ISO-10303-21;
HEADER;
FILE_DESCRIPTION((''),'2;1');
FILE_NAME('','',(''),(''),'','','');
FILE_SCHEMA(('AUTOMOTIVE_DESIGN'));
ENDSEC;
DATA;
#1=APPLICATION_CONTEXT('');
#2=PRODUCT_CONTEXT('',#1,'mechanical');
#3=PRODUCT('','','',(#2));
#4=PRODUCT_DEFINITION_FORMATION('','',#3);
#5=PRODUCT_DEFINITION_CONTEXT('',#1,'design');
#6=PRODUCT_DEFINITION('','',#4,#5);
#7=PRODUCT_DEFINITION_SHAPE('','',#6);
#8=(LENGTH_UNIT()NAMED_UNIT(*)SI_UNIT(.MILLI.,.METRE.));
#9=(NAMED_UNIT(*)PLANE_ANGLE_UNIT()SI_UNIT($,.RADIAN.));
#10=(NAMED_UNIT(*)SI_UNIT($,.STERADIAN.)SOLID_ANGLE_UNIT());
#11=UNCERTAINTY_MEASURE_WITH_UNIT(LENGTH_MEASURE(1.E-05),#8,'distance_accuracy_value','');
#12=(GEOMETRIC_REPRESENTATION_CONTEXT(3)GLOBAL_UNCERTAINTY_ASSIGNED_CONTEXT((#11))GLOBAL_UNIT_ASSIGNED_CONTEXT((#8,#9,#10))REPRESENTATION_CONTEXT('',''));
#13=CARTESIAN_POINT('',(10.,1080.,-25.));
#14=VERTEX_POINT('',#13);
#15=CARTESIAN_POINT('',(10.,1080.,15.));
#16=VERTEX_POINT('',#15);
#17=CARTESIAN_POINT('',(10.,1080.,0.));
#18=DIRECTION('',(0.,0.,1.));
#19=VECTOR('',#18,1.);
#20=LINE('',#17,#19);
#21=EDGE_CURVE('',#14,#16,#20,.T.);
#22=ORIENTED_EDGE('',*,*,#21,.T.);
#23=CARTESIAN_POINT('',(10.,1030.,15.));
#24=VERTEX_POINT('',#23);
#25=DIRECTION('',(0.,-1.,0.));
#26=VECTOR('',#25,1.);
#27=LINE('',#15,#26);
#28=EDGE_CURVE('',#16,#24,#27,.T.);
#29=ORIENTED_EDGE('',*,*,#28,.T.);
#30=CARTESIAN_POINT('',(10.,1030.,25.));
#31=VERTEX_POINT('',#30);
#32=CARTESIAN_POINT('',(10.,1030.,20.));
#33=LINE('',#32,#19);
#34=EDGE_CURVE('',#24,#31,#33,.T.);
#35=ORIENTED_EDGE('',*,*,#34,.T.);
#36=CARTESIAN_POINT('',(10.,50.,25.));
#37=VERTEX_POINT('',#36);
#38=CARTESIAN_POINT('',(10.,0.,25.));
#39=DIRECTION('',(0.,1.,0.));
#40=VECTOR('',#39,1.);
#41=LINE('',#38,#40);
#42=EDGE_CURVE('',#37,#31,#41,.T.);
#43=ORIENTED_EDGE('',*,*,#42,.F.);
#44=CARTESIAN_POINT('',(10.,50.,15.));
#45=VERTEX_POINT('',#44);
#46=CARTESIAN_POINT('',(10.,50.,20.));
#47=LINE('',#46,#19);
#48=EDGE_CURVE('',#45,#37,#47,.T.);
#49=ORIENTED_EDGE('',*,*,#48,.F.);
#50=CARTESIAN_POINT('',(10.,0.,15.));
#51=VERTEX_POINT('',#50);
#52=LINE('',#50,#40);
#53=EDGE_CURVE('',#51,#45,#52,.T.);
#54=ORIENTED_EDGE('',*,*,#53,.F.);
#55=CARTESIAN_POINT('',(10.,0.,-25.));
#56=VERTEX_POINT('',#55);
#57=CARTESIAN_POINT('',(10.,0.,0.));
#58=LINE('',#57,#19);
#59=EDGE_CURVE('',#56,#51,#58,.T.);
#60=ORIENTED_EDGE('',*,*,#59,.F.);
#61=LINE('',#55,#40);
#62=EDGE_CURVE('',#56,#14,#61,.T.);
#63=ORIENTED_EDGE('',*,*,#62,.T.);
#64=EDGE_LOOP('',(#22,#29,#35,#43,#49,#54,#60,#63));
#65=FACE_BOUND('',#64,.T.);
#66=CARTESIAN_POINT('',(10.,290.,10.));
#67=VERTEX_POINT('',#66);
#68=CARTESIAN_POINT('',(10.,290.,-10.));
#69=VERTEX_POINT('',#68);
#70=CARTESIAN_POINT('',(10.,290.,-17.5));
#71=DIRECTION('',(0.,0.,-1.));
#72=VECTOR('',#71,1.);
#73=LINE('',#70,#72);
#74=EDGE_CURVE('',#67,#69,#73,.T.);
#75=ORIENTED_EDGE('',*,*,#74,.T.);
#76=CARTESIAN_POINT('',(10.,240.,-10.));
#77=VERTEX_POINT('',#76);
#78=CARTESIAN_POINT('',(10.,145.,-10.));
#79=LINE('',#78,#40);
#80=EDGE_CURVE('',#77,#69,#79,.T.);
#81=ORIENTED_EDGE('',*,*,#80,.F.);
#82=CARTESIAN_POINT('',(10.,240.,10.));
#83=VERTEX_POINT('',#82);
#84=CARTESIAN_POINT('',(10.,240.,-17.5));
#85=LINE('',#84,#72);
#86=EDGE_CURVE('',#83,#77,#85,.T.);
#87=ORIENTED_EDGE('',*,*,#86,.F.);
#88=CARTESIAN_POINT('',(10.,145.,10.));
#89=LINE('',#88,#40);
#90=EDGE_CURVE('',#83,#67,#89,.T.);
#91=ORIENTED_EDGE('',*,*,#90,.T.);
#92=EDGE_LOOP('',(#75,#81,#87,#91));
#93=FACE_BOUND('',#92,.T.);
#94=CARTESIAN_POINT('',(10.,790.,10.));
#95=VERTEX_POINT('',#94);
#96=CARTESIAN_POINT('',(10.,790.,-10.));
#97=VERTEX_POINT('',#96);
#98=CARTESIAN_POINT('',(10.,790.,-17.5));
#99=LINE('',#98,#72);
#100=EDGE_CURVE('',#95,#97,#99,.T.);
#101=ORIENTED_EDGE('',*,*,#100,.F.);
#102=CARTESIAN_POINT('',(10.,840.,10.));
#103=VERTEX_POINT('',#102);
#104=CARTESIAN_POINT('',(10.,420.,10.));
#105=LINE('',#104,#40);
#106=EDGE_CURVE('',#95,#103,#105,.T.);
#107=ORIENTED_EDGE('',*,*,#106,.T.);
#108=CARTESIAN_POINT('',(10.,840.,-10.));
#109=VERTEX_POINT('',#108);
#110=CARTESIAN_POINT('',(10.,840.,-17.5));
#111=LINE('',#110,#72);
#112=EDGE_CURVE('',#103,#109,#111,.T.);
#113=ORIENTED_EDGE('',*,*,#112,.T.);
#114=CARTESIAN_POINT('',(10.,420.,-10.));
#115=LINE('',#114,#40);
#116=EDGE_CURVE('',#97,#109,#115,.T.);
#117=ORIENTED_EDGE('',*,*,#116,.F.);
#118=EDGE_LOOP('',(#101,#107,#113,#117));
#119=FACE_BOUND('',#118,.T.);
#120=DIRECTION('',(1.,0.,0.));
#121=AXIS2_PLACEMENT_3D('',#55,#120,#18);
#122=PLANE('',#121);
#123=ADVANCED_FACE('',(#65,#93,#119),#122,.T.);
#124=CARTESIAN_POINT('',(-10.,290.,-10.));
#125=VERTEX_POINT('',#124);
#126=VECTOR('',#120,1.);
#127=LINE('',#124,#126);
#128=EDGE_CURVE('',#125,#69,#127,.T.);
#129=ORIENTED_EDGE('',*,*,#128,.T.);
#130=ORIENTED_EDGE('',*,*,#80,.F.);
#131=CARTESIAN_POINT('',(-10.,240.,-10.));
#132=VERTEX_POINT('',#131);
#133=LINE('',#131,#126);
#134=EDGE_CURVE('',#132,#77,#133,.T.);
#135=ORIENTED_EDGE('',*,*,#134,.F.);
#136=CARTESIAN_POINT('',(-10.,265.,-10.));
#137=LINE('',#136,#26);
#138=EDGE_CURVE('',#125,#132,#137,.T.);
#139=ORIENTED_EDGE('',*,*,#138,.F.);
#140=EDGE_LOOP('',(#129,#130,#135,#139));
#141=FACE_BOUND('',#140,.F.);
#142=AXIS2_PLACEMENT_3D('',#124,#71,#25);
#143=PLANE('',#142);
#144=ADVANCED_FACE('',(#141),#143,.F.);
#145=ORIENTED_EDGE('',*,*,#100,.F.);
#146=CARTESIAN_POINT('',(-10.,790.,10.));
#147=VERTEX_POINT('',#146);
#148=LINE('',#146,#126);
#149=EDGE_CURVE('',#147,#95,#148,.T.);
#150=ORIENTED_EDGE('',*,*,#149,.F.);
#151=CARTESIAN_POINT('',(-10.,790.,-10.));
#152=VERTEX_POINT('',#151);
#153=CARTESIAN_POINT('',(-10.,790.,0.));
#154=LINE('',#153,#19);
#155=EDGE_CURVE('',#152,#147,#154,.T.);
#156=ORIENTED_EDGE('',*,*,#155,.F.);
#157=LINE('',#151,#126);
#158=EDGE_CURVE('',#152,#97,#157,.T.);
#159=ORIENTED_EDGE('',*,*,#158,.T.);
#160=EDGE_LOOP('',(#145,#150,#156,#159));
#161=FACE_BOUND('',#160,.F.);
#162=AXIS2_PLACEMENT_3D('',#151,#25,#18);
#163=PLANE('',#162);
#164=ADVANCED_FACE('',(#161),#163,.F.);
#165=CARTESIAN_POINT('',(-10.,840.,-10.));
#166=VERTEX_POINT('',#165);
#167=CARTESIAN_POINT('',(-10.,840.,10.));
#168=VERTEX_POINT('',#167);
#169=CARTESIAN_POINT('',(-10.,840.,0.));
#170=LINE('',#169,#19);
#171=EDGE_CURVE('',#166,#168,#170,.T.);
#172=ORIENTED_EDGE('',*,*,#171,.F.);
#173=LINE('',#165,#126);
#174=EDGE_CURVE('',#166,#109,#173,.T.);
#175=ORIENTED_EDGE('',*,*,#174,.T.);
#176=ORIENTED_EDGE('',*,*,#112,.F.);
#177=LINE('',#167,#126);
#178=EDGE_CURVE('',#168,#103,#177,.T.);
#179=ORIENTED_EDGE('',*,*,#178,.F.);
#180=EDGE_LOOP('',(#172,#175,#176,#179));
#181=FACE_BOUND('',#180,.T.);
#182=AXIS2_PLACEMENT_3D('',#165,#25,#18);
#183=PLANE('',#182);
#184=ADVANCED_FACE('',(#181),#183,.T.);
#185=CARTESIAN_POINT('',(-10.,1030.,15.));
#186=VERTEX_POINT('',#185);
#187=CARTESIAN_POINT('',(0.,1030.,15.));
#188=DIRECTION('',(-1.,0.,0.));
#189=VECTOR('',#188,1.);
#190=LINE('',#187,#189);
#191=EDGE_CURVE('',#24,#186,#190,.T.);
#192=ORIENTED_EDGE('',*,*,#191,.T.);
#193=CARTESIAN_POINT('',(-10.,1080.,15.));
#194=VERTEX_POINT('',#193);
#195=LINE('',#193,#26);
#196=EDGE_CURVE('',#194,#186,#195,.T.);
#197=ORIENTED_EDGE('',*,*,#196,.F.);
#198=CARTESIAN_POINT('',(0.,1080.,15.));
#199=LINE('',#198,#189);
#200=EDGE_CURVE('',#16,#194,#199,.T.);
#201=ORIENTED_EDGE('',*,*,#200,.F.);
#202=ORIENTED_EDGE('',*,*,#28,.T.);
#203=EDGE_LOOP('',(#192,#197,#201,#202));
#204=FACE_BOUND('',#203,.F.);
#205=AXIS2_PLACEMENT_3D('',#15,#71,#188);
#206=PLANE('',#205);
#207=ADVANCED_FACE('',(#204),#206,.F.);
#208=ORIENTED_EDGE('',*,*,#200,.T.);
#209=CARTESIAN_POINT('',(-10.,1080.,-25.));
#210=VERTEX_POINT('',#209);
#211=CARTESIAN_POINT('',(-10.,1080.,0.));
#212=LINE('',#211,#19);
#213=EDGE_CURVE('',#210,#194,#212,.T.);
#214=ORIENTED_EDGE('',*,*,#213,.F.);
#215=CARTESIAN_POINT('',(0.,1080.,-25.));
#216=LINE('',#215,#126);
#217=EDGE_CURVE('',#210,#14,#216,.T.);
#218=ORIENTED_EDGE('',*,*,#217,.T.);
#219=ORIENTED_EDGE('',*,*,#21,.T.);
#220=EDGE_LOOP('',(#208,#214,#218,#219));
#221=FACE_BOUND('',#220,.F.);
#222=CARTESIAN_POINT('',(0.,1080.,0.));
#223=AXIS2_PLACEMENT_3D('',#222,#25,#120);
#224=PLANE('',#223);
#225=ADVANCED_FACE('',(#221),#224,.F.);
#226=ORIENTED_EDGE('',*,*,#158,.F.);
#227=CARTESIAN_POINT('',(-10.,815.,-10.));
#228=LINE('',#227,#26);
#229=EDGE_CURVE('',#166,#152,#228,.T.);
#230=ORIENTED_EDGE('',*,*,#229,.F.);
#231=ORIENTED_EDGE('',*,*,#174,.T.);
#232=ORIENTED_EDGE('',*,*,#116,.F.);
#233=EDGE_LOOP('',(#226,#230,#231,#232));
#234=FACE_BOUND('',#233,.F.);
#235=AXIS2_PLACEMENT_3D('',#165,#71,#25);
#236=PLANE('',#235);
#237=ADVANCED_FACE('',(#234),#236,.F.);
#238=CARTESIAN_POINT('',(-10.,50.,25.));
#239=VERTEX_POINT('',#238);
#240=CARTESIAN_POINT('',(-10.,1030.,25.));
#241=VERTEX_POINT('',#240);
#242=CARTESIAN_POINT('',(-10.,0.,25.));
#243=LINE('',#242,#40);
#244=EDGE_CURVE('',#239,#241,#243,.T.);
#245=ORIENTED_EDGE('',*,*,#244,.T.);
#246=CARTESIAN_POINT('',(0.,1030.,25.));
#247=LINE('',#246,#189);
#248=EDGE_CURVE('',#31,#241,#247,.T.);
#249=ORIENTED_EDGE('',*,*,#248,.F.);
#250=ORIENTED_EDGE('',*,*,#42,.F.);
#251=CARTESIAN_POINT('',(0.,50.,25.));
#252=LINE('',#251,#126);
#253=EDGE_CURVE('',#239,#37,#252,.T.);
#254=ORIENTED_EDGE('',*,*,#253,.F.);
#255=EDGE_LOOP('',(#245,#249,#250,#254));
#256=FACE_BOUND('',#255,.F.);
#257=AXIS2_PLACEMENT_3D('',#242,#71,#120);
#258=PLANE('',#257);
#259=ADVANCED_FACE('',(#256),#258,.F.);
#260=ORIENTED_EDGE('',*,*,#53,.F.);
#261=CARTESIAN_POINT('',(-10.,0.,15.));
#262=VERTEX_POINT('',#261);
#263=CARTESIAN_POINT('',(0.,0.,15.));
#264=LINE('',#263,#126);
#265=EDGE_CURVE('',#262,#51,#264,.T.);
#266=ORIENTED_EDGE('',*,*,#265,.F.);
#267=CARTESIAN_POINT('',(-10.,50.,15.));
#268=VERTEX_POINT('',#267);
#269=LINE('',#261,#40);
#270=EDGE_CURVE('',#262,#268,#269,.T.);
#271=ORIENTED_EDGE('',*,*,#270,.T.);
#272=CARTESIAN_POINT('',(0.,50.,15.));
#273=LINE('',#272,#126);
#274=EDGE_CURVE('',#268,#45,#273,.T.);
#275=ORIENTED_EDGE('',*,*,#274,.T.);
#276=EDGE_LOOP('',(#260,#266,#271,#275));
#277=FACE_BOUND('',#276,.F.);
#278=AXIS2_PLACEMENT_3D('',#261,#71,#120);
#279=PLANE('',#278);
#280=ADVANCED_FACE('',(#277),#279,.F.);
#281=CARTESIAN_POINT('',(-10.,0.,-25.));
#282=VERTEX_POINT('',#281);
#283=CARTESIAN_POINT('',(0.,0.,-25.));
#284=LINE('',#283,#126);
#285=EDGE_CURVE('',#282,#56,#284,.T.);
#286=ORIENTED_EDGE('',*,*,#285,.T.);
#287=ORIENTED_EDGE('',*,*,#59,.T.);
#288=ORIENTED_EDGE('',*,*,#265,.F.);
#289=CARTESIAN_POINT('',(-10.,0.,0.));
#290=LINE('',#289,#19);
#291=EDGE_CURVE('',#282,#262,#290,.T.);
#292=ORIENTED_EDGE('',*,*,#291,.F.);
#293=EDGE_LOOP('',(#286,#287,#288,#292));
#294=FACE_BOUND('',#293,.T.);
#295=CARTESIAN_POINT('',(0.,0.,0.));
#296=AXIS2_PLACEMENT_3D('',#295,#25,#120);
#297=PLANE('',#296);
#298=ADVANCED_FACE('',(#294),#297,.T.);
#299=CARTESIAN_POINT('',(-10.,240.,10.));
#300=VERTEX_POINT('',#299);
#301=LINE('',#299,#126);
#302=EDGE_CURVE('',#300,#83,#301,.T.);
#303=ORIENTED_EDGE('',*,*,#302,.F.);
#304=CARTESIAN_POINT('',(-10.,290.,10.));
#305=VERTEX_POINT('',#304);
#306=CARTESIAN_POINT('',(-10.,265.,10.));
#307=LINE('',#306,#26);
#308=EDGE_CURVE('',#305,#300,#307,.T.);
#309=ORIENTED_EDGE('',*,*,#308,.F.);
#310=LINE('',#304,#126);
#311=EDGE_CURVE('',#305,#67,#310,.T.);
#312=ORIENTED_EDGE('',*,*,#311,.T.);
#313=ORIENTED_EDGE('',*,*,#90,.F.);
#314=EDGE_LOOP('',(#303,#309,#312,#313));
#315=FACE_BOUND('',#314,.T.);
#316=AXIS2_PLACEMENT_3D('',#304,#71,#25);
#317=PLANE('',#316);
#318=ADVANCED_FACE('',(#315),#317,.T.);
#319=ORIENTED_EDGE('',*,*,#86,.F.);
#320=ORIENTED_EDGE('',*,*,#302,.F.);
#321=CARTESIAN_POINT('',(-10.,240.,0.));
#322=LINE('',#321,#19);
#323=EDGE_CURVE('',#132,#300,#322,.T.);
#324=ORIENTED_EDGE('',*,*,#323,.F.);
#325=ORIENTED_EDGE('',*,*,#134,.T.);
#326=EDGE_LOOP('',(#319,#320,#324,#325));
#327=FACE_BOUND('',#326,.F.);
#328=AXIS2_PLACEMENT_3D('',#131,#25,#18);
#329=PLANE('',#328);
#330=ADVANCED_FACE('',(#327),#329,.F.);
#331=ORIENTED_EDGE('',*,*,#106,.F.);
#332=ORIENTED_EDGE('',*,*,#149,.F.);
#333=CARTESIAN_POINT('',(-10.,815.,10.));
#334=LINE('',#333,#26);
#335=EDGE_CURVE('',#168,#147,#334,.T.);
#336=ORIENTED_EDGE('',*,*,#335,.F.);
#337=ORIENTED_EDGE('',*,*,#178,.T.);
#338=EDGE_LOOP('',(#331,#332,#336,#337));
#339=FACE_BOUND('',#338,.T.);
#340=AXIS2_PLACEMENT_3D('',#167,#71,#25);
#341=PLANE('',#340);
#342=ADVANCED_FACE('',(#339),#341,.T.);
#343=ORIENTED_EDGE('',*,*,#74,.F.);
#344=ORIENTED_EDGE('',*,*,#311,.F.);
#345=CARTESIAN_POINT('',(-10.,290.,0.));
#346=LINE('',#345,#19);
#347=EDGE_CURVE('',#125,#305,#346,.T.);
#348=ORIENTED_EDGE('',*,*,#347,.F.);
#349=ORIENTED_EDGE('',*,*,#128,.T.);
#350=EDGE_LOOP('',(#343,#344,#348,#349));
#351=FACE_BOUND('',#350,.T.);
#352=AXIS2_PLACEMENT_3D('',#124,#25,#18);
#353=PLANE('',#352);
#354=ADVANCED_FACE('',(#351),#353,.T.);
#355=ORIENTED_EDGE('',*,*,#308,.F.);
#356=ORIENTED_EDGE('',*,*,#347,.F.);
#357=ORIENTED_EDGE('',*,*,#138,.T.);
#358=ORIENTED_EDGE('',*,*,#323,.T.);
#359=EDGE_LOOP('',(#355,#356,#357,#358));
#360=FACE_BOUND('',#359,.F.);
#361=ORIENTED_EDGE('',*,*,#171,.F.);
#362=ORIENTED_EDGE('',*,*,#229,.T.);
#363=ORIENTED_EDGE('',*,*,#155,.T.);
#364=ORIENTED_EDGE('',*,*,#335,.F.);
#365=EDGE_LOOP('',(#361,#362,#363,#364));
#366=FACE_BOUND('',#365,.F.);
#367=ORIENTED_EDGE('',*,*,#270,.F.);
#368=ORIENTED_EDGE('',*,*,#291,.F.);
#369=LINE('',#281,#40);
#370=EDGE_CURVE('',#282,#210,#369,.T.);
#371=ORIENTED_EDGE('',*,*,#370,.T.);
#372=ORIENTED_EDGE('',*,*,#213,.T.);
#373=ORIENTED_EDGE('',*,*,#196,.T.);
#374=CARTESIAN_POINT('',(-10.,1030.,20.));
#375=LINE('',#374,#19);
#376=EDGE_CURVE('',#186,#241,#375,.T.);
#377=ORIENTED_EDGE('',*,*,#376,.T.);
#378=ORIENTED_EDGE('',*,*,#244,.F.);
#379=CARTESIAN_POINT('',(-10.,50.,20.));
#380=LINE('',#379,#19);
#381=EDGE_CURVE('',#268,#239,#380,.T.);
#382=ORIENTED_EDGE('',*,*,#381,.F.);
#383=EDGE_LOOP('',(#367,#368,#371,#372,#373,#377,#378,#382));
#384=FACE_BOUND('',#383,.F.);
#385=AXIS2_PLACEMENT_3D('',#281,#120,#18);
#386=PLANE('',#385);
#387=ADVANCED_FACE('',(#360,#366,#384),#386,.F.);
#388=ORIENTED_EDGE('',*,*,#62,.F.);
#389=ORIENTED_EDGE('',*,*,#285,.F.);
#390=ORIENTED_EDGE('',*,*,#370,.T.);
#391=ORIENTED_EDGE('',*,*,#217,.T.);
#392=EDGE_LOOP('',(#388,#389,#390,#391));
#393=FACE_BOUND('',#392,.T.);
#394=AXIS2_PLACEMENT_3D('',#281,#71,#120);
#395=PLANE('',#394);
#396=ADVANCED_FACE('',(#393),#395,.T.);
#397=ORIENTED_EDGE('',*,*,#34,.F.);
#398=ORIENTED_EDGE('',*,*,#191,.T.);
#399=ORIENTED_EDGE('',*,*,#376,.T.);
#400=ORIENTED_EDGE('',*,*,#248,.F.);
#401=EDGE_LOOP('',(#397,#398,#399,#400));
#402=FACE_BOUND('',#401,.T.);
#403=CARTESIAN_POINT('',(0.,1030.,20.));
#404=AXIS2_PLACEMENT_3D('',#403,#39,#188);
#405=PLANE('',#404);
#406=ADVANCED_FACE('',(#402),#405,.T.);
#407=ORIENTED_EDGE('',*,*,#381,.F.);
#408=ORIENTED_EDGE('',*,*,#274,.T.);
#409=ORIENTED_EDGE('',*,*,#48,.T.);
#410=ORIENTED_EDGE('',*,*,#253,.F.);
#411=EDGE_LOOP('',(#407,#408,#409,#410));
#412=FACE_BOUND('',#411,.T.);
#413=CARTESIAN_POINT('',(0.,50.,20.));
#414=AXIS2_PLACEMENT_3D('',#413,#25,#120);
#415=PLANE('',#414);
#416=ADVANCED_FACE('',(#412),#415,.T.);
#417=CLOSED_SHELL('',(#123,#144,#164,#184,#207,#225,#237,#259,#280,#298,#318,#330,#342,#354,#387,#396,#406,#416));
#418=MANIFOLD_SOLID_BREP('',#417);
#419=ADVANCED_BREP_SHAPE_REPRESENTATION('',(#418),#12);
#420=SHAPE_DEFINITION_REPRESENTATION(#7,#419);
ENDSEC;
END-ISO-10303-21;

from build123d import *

# Parameters (mm, degrees)
F0_W     = 20
F0_H     = 50
F1_DEPTH = 1080
F2_W     = 50
F2_H     = 20
F3_DEPTH = 20.001
F4_W     = 20
F4_H     = 10
F5_DEPTH = 50
F6_W     = 20
F6_H     = 10
F7_DEPTH = 50


with BuildPart() as f1:
    # F0 (on Front) → F1 (new body)
    with BuildSketch(Plane.XZ):
        Rectangle(F0_W, F0_H)
    extrude(amount=-F1_DEPTH)

    # F2 (on face) → F3 (cut, through all)
    with BuildSketch(Plane(origin=(-10, 0, 0), x_dir=(0, -1, 0), z_dir=(-1, 0, 0))):
        with Locations((-815, 0)):
            Rectangle(F2_W, F2_H)
        with Locations((-265, 0)):
            Rectangle(F2_W, F2_H)
    extrude(amount=-F3_DEPTH, mode=Mode.SUBTRACT)

    # F4 (on face) → F5 (cut)
    with BuildSketch(Plane.XZ):
        with Locations((0, 20)):
            Rectangle(F4_W, F4_H)
    extrude(amount=-F5_DEPTH, mode=Mode.SUBTRACT)

    # F6 (on face) → F7 (cut)
    with BuildSketch(Plane(origin=(0, 1080, 0), x_dir=(-1, 0, 0), z_dir=(0, 1, 0))):
        with Locations((0, 20)):
            Rectangle(F6_W, F6_H)
    extrude(amount=-F7_DEPTH, mode=Mode.SUBTRACT)


solid = f1.part
